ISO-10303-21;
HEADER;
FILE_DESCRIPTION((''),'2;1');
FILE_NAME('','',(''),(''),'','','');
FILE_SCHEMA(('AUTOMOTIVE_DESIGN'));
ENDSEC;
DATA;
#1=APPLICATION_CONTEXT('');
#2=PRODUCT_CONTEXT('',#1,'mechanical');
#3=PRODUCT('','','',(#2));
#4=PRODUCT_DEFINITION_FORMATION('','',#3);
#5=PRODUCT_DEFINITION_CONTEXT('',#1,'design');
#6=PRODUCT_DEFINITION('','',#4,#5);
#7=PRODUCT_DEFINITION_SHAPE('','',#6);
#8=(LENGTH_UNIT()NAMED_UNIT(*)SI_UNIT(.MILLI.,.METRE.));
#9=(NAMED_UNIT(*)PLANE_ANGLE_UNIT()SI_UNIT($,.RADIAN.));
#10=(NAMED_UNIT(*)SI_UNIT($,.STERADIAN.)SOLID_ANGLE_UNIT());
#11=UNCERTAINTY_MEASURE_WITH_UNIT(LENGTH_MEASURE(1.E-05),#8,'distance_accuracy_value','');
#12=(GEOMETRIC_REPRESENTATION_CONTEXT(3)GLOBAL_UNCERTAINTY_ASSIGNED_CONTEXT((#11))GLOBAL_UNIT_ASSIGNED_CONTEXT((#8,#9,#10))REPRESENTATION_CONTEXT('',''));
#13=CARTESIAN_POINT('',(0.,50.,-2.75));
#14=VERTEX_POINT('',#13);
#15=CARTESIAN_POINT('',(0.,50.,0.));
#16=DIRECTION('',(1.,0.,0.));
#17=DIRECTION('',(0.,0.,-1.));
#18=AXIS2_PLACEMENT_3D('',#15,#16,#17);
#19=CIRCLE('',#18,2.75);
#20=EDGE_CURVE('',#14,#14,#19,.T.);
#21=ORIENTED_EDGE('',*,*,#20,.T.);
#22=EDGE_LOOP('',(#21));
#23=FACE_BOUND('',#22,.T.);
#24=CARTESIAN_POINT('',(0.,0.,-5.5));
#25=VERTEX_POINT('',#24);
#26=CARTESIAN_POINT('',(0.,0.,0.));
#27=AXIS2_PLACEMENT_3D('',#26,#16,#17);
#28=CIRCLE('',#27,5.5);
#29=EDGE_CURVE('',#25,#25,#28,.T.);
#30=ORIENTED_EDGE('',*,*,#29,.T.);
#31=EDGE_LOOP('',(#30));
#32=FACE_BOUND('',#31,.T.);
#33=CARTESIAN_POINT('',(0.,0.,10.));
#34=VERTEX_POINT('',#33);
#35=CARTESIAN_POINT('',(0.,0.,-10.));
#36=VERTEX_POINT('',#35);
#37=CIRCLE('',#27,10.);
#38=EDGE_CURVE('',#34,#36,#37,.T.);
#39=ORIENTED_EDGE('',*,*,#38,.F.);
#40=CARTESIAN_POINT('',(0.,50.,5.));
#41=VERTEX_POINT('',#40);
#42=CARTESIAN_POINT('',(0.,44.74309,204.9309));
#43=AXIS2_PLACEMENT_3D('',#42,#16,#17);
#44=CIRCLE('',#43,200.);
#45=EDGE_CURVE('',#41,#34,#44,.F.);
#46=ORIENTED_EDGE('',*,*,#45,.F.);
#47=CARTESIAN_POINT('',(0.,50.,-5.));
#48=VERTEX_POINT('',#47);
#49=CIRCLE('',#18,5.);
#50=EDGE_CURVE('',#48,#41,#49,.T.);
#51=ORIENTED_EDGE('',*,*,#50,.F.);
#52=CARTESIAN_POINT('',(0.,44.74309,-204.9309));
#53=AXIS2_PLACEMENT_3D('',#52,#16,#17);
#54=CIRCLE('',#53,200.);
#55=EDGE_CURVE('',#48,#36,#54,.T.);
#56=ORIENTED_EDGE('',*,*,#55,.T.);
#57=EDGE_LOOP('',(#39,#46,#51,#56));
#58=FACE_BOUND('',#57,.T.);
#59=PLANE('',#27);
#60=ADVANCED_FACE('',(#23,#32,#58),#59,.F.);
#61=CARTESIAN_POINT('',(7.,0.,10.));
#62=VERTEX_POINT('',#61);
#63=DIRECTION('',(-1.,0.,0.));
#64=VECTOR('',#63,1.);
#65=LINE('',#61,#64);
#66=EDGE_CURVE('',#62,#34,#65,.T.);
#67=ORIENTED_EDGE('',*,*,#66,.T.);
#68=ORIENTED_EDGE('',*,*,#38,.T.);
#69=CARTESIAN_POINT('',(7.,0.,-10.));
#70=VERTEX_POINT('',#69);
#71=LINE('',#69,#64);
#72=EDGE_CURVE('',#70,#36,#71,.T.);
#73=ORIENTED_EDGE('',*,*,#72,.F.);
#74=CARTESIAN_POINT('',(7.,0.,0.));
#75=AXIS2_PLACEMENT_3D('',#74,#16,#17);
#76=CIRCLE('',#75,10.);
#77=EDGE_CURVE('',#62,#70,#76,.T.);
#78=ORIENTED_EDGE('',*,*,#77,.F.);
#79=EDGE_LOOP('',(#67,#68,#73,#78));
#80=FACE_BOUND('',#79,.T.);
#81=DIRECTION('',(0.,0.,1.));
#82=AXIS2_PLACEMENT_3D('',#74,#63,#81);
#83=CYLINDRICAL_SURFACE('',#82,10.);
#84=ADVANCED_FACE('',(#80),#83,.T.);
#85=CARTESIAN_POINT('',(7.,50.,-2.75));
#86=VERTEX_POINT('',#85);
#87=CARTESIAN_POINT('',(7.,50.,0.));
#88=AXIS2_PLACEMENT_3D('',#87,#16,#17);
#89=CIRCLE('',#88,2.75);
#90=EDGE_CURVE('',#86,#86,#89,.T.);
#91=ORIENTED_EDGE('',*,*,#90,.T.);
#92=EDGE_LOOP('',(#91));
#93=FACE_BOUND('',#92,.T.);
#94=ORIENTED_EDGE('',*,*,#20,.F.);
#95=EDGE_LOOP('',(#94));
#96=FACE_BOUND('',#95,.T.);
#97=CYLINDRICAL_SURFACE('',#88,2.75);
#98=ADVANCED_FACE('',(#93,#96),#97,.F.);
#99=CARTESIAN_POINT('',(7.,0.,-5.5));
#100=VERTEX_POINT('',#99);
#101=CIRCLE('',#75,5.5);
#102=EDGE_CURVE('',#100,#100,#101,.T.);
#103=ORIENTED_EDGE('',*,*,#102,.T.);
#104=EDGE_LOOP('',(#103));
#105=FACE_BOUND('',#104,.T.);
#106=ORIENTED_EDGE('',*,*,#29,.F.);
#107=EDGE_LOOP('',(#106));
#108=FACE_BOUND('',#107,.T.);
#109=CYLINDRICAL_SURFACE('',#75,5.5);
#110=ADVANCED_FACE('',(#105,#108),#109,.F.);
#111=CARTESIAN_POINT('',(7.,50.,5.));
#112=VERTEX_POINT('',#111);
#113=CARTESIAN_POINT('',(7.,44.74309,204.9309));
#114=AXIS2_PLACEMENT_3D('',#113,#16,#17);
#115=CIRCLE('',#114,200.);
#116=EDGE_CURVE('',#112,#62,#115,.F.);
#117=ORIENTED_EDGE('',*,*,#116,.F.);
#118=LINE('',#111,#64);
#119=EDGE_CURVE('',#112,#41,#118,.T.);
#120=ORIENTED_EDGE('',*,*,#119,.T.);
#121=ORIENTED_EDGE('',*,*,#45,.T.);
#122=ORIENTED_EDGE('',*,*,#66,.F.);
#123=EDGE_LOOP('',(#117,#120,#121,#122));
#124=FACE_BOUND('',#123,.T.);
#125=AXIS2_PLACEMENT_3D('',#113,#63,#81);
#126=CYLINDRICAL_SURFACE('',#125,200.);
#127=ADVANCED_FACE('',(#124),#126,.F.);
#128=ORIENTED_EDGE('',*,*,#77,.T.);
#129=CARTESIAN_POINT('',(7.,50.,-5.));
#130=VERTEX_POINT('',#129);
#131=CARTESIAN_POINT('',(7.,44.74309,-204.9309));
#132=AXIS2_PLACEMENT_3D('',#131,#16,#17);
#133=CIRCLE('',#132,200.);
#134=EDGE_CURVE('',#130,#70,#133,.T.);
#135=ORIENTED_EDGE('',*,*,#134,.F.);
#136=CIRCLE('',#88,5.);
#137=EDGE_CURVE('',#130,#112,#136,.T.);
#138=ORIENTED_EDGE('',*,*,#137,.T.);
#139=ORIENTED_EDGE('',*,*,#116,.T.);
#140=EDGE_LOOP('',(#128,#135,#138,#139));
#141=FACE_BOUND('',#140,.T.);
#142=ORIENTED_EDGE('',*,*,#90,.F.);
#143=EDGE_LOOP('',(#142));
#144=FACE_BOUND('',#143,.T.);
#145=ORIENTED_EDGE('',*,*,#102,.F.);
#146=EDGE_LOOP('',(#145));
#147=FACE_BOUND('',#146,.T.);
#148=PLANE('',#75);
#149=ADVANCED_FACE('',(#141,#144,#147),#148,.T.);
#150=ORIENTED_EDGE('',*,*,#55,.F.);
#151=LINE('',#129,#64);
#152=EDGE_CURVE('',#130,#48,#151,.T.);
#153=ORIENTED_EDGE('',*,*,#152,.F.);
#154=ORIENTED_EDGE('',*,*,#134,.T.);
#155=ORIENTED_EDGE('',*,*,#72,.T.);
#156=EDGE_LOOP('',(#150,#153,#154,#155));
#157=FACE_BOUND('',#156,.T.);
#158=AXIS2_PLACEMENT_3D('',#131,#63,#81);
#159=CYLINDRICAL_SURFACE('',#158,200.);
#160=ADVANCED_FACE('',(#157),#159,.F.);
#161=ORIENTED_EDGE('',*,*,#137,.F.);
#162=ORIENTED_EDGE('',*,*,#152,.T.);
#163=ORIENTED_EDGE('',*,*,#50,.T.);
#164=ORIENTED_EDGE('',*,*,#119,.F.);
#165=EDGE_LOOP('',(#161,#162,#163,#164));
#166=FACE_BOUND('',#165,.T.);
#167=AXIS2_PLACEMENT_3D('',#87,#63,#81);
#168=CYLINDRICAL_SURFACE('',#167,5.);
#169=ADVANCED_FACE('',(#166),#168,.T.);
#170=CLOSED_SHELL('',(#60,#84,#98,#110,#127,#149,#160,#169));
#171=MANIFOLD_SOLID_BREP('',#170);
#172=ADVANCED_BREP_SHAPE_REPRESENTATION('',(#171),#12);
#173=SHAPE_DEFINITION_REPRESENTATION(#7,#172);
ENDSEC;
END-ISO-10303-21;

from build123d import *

# Parameters (mm, degrees)
SKETCH1_R             = 5
BOSS_EXTRUDE1_DEPTH   = 7
M10_CLEARANCE_HOLE1_D = 11
M5_CLEARANCE_HOLE1_D  = 5.5


with BuildPart() as part:
    # Sketch1 → Boss-Extrude1 (new body)
    with BuildSketch(Plane(origin=(0, 0, 0), x_dir=(0, 0, -1), z_dir=(1, 0, 0))):
        with Locations((0, 50)):
            Circle(SKETCH1_R)
        with BuildLine():
            ThreePointArc((-4.99342402, 49.743647589), (-5.733969822, 26.838261478), (-9.089996824, 4.167968058))
            ThreePointArc((-9.089996824, 4.167968058), (0, 10), (9.089996824, 4.167968058))
            ThreePointArc((9.089996824, 4.167968058), (5.733969822, 26.838261478), (4.99342402, 49.743647589))
            ThreePointArc((4.99342402, 49.743647589), (0, 45), (-4.99342402, 49.743647589))
        make_face()
        with BuildLine():
            ThreePointArc((-9.089996824, 4.167968058), (-9.533884852, 2.081557577), (-10, 0))
            ThreePointArc((-10, 0), (0, -10), (10, 0))
            ThreePointArc((10, 0), (9.533884852, 2.081557577), (9.089996824, 4.167968058))
            ThreePointArc((9.089996824, 4.167968058), (0, 10), (-9.089996824, 4.167968058))
        make_face()
    extrude(amount=BOSS_EXTRUDE1_DEPTH)

    # M10 Clearance Hole1 (through all)
    with Locations(Plane(origin=(7, 0, 0), x_dir=(0, 0, 1), z_dir=(1, 0, 0))):
        with Locations((0, 0)):
            Hole(M10_CLEARANCE_HOLE1_D / 2)

    # M5 Clearance Hole1 (through all)
    with Locations(Plane(origin=(7, 50, 0), x_dir=(0, 0, 1), z_dir=(1, 0, 0))):
        with Locations((0, 0)):
            Hole(M5_CLEARANCE_HOLE1_D / 2)


solid = part.part
